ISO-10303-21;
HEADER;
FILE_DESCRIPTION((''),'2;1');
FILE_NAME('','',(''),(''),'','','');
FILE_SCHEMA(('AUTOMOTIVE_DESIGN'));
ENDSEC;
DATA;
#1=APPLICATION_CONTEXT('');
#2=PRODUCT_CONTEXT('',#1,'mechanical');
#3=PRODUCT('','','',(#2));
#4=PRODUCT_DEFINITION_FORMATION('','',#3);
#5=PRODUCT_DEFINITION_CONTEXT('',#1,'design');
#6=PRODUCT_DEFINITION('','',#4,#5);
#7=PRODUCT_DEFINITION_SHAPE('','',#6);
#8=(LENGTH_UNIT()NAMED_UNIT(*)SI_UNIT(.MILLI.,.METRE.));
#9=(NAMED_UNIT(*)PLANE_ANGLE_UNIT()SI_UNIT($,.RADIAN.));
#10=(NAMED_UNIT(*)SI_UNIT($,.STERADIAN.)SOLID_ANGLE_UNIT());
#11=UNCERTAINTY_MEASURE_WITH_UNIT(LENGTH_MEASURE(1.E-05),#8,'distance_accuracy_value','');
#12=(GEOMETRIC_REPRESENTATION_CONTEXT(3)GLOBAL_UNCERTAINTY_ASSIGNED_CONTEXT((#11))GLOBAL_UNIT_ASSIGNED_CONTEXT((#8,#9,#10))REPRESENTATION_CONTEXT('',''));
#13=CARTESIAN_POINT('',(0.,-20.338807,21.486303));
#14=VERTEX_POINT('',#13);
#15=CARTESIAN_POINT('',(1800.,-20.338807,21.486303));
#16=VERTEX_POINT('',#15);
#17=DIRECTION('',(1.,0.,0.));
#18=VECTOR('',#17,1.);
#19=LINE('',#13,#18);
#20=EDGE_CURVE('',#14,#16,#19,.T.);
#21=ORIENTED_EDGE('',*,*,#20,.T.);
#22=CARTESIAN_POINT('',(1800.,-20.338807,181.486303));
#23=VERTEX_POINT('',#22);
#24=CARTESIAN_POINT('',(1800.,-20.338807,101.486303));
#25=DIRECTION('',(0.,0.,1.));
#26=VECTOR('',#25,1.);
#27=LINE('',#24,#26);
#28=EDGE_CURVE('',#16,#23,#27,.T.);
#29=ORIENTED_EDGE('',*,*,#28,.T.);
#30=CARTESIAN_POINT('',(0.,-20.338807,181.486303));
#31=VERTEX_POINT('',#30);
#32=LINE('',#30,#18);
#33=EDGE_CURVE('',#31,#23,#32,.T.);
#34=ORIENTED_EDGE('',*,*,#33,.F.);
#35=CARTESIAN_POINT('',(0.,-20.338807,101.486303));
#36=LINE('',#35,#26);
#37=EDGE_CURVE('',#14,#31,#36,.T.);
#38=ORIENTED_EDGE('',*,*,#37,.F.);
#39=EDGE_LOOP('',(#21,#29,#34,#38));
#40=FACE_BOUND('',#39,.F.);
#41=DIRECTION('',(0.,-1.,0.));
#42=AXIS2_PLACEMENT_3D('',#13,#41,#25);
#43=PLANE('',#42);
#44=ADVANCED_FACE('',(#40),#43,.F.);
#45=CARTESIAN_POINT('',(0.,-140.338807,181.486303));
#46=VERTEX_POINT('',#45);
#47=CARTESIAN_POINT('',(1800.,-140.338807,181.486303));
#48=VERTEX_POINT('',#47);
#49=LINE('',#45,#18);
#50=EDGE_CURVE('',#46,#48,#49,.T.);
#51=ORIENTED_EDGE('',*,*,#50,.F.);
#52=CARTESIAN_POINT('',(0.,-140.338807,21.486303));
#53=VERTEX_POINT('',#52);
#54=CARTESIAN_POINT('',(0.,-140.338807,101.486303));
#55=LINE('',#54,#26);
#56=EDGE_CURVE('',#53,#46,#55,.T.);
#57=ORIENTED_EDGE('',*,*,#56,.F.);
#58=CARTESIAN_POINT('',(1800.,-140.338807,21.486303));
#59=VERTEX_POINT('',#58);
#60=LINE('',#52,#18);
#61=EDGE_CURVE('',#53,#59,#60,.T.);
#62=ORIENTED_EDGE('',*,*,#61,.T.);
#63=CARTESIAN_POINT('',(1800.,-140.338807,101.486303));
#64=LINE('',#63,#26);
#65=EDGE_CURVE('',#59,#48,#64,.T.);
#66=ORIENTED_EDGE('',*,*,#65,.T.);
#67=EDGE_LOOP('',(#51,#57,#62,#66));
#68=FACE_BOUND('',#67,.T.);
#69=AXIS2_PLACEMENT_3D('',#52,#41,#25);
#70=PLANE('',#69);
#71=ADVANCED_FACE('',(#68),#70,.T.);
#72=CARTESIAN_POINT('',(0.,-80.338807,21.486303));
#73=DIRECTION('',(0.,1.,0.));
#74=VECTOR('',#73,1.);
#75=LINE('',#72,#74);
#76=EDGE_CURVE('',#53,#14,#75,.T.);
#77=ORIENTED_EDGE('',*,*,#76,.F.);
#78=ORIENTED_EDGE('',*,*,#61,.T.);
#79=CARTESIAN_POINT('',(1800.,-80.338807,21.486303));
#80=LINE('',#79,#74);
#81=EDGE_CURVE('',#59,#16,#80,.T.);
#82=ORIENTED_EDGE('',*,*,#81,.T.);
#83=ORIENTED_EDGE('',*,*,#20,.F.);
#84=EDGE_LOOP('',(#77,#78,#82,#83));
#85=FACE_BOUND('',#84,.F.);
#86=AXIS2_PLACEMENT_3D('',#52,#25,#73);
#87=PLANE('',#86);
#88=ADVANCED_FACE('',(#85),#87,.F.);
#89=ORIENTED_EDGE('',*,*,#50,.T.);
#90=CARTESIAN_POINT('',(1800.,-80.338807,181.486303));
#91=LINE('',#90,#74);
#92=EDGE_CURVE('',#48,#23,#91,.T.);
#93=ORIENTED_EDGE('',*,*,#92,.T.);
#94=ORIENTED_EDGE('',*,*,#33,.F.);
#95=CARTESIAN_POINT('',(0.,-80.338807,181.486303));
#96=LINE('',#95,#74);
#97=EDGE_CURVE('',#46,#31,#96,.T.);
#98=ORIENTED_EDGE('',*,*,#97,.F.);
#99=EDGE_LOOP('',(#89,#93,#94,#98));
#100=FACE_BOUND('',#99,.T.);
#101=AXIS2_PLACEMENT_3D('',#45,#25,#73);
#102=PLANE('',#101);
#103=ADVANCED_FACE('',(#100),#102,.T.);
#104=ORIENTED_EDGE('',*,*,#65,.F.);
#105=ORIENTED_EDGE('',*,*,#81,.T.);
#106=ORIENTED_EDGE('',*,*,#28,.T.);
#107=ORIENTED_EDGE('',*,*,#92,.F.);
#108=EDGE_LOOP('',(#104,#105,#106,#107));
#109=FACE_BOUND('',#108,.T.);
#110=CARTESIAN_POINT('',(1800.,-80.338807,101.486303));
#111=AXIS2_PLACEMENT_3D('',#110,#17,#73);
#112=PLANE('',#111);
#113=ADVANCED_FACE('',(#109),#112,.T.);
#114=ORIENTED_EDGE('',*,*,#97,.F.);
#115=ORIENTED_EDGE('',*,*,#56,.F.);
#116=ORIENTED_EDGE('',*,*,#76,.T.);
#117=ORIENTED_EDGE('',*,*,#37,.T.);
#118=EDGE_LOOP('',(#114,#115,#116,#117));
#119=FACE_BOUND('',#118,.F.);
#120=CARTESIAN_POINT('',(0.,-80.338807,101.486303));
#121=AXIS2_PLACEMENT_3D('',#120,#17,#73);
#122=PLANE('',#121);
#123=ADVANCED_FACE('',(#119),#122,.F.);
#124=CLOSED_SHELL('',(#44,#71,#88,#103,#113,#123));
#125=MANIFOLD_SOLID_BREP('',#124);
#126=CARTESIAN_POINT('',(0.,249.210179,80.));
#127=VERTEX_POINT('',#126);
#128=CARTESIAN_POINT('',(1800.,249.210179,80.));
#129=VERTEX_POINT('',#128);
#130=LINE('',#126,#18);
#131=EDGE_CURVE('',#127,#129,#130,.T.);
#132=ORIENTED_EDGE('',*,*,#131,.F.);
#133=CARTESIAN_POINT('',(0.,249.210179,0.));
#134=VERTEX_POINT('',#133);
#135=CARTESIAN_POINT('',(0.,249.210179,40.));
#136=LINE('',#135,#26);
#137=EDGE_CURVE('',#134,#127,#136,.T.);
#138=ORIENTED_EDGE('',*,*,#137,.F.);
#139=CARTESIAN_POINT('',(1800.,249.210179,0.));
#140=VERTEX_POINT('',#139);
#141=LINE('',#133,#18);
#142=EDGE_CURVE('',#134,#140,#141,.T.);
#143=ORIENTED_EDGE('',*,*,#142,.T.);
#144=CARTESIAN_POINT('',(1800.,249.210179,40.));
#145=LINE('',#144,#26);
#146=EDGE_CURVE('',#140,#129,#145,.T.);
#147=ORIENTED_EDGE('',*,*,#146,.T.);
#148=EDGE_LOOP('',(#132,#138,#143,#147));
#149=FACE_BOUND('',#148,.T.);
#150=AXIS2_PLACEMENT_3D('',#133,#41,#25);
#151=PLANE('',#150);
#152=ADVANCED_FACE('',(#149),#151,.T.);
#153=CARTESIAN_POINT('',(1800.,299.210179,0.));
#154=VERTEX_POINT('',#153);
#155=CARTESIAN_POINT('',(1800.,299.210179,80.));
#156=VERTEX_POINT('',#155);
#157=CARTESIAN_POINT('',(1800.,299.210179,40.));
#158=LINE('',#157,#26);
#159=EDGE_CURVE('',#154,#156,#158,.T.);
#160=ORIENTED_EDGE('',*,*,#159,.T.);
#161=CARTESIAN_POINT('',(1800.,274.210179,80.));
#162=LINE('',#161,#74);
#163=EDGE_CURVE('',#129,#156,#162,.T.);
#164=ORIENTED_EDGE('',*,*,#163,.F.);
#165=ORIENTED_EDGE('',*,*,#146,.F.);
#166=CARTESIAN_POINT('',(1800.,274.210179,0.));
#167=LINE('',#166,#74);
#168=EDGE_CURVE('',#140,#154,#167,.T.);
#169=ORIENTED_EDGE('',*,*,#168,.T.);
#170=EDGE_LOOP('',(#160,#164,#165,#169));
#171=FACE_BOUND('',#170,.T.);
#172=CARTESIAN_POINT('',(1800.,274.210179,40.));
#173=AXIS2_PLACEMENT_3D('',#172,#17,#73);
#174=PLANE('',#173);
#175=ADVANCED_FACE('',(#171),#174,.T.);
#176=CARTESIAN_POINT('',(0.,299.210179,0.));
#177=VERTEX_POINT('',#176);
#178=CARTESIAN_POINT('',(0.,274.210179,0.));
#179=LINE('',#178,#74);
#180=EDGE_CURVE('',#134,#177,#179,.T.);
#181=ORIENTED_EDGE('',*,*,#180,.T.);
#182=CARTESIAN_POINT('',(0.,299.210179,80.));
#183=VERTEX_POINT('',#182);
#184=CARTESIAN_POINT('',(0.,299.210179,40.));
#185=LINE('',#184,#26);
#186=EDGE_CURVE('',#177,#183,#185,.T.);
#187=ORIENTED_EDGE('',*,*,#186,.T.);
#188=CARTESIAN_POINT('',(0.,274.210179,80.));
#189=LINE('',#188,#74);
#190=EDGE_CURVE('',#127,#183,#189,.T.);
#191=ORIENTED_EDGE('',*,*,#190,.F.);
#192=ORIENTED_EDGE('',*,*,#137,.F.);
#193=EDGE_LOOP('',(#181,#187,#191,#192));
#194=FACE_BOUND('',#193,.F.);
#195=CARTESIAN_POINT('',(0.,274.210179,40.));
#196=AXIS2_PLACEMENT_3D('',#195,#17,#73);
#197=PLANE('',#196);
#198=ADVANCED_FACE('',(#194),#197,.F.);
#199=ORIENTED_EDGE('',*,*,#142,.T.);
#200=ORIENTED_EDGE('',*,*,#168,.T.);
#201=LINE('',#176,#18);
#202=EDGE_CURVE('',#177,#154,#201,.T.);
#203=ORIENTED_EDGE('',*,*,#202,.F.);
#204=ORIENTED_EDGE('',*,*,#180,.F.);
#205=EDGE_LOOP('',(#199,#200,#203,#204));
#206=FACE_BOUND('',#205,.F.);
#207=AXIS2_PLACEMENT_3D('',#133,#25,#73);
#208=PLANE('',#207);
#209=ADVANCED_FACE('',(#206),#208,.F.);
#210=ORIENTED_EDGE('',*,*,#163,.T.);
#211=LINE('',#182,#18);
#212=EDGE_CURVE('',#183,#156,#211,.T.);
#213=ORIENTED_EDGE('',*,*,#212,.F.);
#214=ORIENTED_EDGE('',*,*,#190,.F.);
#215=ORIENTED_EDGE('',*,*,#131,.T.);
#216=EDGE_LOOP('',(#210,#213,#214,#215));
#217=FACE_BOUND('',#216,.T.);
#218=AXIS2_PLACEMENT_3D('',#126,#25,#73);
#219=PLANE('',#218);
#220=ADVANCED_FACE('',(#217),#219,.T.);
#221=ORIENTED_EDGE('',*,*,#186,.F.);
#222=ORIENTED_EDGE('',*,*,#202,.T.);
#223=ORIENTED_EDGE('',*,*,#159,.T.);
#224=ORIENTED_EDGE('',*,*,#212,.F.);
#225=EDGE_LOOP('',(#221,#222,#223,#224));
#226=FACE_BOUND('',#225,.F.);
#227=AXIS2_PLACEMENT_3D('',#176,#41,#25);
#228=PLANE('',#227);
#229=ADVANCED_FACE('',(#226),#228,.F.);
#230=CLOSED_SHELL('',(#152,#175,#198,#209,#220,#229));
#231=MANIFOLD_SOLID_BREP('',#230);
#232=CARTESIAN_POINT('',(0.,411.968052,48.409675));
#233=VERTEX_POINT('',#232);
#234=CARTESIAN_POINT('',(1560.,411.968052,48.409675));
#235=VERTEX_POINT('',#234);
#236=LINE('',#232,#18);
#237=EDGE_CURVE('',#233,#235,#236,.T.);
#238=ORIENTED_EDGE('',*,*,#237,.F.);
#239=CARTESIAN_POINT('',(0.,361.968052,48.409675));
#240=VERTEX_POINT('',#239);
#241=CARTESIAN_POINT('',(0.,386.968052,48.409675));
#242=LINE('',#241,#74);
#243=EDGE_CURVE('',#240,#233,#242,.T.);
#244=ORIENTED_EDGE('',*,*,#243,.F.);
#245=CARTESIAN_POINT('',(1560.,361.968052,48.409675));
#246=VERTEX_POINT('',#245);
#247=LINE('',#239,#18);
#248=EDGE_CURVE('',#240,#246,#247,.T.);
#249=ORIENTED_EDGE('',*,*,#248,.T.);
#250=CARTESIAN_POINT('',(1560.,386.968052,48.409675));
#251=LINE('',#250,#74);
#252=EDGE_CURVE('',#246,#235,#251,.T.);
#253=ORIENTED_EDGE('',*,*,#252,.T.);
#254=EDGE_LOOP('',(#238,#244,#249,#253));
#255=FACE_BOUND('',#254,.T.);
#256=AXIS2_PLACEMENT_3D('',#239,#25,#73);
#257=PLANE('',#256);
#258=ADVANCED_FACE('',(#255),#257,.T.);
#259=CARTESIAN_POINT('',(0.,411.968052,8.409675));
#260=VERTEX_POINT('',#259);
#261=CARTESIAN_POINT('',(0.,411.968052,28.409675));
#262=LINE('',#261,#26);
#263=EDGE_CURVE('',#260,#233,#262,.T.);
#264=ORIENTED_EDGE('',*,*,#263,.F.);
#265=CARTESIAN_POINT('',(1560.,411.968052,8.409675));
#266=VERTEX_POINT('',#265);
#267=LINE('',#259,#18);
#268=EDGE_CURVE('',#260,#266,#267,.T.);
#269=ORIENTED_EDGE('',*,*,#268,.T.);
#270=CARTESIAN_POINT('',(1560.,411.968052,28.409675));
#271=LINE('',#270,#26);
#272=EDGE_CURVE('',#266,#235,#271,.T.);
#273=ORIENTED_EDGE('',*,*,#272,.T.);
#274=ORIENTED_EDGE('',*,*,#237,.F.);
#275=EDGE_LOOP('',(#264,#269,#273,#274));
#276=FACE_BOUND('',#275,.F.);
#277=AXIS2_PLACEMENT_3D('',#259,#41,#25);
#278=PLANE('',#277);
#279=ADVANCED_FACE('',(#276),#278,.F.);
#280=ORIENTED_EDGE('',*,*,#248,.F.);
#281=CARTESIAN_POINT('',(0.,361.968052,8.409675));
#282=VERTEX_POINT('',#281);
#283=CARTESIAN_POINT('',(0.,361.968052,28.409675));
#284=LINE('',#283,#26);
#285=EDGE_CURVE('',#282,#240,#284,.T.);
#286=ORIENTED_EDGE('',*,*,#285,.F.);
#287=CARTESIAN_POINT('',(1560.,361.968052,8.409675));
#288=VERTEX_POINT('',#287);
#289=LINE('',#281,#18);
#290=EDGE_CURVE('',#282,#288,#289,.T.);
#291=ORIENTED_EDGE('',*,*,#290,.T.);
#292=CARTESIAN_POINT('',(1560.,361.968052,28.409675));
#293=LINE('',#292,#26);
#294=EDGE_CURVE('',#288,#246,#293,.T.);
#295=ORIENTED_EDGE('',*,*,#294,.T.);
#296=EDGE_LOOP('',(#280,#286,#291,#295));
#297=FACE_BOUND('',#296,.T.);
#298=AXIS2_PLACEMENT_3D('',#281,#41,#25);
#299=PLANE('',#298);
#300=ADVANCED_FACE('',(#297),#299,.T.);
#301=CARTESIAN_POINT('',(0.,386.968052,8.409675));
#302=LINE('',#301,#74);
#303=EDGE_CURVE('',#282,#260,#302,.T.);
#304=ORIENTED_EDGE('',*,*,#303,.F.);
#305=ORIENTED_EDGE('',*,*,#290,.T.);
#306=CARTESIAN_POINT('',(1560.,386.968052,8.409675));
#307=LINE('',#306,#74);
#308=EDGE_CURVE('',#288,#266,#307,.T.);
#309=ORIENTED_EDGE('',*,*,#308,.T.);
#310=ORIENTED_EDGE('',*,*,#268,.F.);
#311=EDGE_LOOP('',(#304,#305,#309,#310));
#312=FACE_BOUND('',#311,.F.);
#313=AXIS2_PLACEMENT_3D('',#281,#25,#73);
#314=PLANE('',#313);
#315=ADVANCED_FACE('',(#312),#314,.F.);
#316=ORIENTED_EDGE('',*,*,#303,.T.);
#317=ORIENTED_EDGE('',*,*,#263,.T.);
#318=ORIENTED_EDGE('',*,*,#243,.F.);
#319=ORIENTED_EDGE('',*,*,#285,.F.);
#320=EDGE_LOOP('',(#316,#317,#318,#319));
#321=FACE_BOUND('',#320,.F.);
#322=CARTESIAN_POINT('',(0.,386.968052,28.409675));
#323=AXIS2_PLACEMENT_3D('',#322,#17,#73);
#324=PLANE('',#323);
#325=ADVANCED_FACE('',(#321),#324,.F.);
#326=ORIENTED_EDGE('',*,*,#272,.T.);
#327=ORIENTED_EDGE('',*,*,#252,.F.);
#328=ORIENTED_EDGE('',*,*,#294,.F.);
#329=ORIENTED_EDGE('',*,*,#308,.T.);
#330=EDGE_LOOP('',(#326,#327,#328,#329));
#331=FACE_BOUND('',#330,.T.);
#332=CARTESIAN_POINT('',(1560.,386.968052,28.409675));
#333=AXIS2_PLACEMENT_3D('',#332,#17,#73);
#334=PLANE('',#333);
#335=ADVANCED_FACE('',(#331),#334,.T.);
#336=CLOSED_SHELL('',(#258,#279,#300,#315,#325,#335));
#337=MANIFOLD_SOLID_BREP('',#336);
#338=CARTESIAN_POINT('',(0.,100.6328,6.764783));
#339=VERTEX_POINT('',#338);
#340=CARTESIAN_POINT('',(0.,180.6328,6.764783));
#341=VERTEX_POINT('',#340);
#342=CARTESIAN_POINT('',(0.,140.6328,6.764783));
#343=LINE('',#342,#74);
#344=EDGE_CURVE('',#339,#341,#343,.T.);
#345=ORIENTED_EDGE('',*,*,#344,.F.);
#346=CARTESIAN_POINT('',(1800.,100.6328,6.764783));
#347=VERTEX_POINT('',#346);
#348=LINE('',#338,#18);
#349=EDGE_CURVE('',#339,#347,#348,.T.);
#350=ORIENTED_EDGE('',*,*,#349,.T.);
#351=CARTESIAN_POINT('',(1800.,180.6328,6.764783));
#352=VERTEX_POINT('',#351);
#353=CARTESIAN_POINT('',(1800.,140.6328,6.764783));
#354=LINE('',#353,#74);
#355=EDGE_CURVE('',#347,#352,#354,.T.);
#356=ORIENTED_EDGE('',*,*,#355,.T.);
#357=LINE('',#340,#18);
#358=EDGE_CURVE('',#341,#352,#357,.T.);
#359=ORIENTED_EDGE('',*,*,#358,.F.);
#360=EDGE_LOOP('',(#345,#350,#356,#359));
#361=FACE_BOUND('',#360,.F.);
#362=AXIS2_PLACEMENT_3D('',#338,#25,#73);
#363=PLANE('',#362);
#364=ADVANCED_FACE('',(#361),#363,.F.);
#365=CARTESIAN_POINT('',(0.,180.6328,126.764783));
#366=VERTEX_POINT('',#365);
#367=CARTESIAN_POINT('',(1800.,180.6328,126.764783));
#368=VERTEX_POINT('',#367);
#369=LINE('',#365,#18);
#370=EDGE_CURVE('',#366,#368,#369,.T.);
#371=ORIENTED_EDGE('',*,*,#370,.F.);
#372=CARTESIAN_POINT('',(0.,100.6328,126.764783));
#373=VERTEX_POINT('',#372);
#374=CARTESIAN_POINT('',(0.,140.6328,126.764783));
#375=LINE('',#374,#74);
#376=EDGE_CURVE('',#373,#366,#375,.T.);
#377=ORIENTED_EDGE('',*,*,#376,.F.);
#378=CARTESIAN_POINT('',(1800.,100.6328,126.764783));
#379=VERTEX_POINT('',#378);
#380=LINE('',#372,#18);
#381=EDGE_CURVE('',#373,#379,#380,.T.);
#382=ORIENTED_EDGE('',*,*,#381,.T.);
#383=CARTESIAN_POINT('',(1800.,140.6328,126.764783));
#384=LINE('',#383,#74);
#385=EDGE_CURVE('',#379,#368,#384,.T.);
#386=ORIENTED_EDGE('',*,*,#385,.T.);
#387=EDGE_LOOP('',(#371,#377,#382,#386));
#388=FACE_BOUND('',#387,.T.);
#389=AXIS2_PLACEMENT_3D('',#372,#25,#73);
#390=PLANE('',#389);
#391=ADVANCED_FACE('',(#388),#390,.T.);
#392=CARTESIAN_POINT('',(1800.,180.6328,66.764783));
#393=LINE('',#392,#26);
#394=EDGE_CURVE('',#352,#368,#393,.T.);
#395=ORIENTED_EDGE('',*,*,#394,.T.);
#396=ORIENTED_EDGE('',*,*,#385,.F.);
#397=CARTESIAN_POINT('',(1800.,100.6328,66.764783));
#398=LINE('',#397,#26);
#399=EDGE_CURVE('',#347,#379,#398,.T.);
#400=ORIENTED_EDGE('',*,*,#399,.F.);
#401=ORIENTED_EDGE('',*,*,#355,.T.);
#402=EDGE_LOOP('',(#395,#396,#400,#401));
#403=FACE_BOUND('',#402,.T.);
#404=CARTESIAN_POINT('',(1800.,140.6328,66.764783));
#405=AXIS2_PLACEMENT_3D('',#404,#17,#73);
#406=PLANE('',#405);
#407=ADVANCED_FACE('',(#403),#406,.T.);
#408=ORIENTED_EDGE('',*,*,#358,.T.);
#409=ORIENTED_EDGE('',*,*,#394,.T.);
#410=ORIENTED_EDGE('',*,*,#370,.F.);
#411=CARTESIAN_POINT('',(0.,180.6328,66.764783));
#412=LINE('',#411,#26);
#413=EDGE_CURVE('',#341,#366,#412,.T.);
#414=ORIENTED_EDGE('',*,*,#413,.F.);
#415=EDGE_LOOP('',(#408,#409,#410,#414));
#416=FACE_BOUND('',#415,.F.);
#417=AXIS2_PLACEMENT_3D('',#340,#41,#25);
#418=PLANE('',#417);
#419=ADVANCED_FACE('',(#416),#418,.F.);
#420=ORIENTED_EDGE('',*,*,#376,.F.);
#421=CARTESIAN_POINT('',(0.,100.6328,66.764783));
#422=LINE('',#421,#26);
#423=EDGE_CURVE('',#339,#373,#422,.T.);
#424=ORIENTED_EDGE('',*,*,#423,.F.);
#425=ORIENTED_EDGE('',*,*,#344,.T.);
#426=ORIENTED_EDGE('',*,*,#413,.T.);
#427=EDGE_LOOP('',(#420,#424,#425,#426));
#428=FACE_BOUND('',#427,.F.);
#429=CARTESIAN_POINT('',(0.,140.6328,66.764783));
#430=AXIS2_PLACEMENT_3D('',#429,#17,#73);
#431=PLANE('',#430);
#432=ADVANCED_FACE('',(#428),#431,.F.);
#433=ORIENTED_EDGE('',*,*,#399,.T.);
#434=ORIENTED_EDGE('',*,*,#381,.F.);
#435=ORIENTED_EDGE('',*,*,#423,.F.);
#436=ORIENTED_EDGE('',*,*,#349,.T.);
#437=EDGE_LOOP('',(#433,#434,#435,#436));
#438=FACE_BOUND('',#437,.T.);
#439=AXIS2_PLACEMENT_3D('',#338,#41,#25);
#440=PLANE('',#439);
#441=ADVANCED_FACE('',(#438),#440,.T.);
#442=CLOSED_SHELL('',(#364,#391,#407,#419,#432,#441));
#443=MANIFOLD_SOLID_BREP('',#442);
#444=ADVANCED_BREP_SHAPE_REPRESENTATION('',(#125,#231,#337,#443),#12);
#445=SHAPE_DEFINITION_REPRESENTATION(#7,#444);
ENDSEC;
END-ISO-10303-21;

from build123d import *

# Parameters (mm, degrees)
F0_W     = 120
F0_H     = 160
F0_W_2   = 80
F0_H_2   = 120
F0_W_3   = 50
F0_H_3   = 80
F1_DEPTH = 1800
F0_H_4   = 40
F2_DEPTH = 1560


with BuildPart() as f1:
    # F0 (on Right) → F1 (new body)
    with BuildSketch(Plane.YZ):
        with Locations((-80.338807, 101.486303)):
            Rectangle(F0_W, F0_H)
        with Locations((140.6328, 66.764783)):
            Rectangle(F0_W_2, F0_H_2)
        with Locations((274.210179, 40)):
            Rectangle(F0_W_3, F0_H_3)
    extrude(amount=F1_DEPTH)


with BuildPart() as f2:
    # F0 (on Right) → F2 (new body)
    with BuildSketch(Plane.YZ):
        with Locations((386.968052, 28.409675)):
            Rectangle(F0_W_3, F0_H_4)
    extrude(amount=F2_DEPTH)


solid = Compound([f1.part, f2.part])
